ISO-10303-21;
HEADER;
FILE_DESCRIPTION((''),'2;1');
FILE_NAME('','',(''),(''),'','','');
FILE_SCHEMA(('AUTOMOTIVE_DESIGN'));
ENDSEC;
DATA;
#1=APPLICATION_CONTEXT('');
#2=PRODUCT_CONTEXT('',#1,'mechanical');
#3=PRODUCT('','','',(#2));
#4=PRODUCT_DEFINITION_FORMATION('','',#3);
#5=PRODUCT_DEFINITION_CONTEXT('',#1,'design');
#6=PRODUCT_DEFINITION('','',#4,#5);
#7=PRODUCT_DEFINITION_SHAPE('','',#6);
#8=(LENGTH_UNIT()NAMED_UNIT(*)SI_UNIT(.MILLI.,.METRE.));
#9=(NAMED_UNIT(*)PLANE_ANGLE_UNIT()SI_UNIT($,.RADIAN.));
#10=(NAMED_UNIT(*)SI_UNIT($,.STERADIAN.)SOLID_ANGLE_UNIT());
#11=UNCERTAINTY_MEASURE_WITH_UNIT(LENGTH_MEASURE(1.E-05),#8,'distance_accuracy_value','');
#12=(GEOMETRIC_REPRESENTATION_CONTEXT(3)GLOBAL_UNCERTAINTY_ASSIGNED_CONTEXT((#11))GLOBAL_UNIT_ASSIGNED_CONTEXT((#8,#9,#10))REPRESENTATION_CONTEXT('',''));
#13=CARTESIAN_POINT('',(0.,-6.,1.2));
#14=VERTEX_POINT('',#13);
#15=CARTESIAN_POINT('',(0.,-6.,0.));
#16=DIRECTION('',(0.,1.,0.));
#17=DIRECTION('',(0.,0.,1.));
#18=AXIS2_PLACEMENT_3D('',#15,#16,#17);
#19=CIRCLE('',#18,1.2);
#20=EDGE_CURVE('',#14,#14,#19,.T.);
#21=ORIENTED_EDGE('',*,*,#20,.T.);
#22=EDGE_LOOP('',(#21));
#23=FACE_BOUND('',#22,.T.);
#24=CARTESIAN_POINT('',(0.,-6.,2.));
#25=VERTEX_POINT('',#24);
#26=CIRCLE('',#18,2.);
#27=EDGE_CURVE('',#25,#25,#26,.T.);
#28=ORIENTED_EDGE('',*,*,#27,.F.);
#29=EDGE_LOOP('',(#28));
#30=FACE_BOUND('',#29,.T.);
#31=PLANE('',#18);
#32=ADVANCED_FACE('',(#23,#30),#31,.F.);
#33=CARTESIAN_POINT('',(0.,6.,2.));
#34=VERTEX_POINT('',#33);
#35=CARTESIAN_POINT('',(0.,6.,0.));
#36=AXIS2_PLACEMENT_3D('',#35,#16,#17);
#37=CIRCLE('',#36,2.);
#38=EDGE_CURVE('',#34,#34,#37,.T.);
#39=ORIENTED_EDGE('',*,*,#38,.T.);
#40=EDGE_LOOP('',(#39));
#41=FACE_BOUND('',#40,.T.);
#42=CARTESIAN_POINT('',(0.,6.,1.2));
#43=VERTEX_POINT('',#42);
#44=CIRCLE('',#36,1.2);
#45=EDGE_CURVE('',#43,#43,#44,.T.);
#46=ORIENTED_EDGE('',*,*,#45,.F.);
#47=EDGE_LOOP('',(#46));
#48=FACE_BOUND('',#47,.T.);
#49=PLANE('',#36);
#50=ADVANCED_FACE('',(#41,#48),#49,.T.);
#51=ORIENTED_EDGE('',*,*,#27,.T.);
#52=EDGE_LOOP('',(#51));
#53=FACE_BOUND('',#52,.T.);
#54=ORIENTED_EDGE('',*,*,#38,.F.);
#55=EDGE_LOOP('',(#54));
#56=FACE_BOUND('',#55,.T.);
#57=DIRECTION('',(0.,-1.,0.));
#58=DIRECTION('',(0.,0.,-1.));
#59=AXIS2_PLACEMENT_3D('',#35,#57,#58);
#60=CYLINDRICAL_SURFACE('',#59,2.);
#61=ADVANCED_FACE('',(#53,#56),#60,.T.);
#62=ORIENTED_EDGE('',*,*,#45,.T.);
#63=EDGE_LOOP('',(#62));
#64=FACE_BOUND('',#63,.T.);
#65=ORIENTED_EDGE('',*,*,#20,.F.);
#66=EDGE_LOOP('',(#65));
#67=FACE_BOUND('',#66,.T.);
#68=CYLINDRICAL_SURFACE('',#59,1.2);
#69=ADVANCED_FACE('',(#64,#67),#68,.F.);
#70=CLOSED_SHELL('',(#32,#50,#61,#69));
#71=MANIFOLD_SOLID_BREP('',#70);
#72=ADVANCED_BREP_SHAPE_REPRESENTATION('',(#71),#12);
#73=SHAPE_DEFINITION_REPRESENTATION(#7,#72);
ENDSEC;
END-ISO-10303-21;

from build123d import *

# Parameters (mm, degrees)
SKIZZE1_R                       = 2
SKIZZE1_R_2                     = 1.2
AUFSATZ_LINEAR_AUSTRAGEN1_DEPTH = 6


with BuildPart() as part:
    # Skizze1 → Aufsatz-Linear austragen1 (new body, symmetric)
    with BuildSketch(Plane(origin=(0, 0, 0), x_dir=(1, 0, 0), z_dir=(0, 1, 0))):
        Circle(SKIZZE1_R)
        Circle(SKIZZE1_R_2, mode=Mode.SUBTRACT)
    extrude(amount=AUFSATZ_LINEAR_AUSTRAGEN1_DEPTH, both=True)


solid = part.part
